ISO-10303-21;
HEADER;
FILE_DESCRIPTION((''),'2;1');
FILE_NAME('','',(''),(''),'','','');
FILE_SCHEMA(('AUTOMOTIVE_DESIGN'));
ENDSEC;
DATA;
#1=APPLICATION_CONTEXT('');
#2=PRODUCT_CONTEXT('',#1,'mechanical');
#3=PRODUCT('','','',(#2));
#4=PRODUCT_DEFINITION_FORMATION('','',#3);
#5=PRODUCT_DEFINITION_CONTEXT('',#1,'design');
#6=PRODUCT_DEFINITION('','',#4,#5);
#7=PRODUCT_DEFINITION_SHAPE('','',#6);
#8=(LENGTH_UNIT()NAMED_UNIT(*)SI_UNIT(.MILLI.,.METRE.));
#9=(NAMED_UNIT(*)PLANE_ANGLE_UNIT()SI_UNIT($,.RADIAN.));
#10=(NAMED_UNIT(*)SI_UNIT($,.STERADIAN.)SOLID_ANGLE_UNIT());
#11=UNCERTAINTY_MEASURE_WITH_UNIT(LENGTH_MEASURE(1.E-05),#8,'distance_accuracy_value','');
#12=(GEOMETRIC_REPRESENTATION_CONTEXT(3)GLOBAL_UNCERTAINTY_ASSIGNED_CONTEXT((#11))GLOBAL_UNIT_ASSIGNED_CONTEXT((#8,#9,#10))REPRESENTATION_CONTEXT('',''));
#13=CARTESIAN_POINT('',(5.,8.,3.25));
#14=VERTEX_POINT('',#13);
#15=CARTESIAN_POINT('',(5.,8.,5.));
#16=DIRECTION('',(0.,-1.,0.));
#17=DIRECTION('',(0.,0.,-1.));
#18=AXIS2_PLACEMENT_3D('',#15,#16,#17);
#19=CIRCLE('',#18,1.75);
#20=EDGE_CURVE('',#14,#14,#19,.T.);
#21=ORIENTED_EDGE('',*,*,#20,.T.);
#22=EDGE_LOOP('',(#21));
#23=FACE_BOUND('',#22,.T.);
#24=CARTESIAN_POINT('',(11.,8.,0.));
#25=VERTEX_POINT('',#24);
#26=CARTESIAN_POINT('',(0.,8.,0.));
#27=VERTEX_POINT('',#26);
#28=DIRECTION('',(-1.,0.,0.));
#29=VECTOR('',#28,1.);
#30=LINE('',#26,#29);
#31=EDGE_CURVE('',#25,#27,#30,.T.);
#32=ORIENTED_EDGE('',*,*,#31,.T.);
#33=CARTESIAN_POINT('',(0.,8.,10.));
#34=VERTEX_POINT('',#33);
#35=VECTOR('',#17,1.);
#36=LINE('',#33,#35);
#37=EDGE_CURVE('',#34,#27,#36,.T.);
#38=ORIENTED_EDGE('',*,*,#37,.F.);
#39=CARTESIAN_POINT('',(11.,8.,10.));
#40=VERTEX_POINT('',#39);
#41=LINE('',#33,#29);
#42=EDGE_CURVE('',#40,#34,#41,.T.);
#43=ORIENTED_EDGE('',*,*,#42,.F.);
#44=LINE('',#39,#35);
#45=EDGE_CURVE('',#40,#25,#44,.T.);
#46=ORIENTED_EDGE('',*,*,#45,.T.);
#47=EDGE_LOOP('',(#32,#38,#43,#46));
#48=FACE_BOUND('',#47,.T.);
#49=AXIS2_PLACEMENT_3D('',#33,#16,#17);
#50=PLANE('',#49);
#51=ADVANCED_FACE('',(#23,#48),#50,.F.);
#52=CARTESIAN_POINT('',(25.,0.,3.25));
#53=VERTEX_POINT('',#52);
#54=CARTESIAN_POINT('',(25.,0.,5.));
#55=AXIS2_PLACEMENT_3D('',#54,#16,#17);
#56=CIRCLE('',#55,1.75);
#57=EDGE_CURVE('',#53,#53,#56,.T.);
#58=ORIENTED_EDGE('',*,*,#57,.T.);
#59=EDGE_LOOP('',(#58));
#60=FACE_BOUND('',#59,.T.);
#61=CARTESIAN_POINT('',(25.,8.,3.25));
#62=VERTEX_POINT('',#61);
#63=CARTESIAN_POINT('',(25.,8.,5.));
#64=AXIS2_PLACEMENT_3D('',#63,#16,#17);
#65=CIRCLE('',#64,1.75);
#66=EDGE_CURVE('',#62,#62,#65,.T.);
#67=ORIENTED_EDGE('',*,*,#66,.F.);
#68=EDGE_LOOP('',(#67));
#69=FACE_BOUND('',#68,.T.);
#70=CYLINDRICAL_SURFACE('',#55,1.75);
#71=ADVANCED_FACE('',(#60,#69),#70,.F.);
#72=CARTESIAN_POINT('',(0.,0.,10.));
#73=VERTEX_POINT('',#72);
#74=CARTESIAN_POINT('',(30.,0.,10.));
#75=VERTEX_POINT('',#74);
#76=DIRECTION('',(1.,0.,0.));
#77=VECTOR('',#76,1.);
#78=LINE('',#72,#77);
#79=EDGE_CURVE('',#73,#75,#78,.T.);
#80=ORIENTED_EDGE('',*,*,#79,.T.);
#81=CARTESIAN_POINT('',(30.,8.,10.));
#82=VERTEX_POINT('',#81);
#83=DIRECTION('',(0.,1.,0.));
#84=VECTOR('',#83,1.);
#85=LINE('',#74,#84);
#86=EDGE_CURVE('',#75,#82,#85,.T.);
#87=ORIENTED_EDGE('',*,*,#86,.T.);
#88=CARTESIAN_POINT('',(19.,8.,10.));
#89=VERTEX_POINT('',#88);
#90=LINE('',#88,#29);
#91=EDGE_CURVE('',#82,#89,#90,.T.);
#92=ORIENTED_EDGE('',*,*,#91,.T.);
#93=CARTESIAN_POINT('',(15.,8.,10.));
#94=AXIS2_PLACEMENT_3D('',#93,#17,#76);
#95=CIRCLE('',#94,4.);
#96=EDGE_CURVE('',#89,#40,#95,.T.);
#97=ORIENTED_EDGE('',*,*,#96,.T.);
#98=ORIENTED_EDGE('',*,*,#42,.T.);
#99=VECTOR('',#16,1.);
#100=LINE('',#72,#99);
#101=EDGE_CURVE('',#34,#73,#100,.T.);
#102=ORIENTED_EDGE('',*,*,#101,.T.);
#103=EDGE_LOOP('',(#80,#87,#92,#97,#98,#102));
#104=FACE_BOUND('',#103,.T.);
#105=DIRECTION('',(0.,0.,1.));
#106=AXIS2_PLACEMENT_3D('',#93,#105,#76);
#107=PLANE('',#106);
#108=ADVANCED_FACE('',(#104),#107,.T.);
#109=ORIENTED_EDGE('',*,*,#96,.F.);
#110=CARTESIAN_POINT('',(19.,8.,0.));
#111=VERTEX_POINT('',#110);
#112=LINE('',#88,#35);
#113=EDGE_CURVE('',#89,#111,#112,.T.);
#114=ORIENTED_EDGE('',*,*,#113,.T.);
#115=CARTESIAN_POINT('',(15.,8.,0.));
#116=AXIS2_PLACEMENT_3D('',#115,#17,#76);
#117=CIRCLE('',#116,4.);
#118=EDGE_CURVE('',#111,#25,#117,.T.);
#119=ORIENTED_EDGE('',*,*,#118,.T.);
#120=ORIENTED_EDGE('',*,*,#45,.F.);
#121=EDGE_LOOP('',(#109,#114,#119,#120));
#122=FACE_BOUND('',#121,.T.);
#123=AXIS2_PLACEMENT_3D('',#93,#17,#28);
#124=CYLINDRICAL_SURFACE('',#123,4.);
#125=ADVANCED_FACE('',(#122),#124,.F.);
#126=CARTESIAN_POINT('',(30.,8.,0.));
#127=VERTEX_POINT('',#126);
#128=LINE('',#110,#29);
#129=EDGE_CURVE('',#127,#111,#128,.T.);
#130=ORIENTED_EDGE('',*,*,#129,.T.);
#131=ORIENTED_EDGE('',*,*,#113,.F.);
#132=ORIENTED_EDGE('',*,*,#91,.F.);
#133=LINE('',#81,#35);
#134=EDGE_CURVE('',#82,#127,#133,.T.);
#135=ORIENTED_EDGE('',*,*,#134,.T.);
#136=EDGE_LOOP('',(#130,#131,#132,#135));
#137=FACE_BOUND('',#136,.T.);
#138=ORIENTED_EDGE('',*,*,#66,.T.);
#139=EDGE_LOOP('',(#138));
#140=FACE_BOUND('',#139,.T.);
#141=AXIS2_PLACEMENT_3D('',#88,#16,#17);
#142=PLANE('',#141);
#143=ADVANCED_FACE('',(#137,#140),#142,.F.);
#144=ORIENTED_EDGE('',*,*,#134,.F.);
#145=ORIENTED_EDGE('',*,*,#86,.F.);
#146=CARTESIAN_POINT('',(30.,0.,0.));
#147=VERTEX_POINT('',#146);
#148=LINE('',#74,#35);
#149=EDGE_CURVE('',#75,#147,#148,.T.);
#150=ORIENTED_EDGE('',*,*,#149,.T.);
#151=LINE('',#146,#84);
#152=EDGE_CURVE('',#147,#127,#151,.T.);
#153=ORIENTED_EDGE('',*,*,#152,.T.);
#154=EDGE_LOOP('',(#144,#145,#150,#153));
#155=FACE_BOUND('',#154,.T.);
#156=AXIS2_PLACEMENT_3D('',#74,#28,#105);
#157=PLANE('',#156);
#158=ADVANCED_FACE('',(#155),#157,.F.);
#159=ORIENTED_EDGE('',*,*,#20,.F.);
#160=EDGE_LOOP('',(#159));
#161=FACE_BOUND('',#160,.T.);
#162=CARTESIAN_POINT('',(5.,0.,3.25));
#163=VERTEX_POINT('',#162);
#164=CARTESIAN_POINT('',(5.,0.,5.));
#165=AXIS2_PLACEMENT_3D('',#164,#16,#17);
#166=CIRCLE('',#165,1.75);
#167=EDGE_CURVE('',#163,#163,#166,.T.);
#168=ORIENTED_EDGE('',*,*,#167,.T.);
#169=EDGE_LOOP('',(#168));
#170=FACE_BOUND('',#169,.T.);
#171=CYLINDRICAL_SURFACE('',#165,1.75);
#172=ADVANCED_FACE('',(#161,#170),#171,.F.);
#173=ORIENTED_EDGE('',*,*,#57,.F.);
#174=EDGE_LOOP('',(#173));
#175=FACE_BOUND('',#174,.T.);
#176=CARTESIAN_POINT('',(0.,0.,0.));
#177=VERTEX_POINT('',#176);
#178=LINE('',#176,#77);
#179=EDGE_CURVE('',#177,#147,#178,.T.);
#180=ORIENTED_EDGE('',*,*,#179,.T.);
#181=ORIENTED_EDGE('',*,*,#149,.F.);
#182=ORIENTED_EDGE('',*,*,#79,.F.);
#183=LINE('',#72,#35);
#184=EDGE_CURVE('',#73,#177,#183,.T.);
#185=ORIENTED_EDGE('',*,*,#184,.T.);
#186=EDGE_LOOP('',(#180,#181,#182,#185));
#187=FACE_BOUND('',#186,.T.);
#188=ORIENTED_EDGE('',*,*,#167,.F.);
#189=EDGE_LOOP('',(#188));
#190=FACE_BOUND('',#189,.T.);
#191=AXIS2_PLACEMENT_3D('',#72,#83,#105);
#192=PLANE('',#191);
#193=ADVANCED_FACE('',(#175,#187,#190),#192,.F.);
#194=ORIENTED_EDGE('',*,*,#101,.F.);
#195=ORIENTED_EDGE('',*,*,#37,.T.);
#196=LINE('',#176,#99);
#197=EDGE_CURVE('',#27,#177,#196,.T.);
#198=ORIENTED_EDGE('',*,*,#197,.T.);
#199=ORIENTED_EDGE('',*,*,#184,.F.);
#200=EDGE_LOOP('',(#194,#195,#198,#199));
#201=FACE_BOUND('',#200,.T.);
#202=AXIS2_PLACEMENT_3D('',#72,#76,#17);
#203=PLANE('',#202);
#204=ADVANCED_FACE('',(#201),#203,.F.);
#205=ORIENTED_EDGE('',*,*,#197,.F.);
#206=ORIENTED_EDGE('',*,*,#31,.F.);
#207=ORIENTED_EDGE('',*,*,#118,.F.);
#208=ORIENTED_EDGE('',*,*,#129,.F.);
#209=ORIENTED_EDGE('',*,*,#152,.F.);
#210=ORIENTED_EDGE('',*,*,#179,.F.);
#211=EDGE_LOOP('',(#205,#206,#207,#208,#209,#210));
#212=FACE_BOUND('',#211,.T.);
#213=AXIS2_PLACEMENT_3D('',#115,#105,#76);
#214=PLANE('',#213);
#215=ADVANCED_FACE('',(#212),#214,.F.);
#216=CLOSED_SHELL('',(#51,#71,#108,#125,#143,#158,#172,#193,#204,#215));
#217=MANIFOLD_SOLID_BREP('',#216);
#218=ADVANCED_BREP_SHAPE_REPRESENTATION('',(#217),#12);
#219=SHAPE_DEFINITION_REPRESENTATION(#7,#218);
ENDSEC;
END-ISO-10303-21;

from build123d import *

# Parameters (mm, degrees)
AUFSATZ_LINEAR_AUSTRAGEN1_DEPTH  = 10
F_3_5_3_5_DURCHMESSER_BOHRUNG2_D = 3.5


with BuildPart() as part:
    # Skizze1 → Aufsatz-Linear austragen1 (new body)
    with BuildSketch(Plane.XY):
        with BuildLine():
            Line((19, 8), (30, 8))
            Line((30, 8), (30, 0))
            Line((30, 0), (0, 0))
            Line((0, 0), (0, 8))
            Line((0, 8), (11, 8))
            ThreePointArc((11, 8), (15, 4), (19, 8))
        make_face()
    extrude(amount=AUFSATZ_LINEAR_AUSTRAGEN1_DEPTH)

    # Ø3.5 (3.5) Durchmesser Bohrung2 (through all)
    with Locations(Plane(origin=(0, 0, 0), x_dir=(-1, 0, 0), z_dir=(0, -1, 0))):
        with Locations((-5, -5), (-25, -5)):
            Hole(F_3_5_3_5_DURCHMESSER_BOHRUNG2_D / 2)


solid = part.part
